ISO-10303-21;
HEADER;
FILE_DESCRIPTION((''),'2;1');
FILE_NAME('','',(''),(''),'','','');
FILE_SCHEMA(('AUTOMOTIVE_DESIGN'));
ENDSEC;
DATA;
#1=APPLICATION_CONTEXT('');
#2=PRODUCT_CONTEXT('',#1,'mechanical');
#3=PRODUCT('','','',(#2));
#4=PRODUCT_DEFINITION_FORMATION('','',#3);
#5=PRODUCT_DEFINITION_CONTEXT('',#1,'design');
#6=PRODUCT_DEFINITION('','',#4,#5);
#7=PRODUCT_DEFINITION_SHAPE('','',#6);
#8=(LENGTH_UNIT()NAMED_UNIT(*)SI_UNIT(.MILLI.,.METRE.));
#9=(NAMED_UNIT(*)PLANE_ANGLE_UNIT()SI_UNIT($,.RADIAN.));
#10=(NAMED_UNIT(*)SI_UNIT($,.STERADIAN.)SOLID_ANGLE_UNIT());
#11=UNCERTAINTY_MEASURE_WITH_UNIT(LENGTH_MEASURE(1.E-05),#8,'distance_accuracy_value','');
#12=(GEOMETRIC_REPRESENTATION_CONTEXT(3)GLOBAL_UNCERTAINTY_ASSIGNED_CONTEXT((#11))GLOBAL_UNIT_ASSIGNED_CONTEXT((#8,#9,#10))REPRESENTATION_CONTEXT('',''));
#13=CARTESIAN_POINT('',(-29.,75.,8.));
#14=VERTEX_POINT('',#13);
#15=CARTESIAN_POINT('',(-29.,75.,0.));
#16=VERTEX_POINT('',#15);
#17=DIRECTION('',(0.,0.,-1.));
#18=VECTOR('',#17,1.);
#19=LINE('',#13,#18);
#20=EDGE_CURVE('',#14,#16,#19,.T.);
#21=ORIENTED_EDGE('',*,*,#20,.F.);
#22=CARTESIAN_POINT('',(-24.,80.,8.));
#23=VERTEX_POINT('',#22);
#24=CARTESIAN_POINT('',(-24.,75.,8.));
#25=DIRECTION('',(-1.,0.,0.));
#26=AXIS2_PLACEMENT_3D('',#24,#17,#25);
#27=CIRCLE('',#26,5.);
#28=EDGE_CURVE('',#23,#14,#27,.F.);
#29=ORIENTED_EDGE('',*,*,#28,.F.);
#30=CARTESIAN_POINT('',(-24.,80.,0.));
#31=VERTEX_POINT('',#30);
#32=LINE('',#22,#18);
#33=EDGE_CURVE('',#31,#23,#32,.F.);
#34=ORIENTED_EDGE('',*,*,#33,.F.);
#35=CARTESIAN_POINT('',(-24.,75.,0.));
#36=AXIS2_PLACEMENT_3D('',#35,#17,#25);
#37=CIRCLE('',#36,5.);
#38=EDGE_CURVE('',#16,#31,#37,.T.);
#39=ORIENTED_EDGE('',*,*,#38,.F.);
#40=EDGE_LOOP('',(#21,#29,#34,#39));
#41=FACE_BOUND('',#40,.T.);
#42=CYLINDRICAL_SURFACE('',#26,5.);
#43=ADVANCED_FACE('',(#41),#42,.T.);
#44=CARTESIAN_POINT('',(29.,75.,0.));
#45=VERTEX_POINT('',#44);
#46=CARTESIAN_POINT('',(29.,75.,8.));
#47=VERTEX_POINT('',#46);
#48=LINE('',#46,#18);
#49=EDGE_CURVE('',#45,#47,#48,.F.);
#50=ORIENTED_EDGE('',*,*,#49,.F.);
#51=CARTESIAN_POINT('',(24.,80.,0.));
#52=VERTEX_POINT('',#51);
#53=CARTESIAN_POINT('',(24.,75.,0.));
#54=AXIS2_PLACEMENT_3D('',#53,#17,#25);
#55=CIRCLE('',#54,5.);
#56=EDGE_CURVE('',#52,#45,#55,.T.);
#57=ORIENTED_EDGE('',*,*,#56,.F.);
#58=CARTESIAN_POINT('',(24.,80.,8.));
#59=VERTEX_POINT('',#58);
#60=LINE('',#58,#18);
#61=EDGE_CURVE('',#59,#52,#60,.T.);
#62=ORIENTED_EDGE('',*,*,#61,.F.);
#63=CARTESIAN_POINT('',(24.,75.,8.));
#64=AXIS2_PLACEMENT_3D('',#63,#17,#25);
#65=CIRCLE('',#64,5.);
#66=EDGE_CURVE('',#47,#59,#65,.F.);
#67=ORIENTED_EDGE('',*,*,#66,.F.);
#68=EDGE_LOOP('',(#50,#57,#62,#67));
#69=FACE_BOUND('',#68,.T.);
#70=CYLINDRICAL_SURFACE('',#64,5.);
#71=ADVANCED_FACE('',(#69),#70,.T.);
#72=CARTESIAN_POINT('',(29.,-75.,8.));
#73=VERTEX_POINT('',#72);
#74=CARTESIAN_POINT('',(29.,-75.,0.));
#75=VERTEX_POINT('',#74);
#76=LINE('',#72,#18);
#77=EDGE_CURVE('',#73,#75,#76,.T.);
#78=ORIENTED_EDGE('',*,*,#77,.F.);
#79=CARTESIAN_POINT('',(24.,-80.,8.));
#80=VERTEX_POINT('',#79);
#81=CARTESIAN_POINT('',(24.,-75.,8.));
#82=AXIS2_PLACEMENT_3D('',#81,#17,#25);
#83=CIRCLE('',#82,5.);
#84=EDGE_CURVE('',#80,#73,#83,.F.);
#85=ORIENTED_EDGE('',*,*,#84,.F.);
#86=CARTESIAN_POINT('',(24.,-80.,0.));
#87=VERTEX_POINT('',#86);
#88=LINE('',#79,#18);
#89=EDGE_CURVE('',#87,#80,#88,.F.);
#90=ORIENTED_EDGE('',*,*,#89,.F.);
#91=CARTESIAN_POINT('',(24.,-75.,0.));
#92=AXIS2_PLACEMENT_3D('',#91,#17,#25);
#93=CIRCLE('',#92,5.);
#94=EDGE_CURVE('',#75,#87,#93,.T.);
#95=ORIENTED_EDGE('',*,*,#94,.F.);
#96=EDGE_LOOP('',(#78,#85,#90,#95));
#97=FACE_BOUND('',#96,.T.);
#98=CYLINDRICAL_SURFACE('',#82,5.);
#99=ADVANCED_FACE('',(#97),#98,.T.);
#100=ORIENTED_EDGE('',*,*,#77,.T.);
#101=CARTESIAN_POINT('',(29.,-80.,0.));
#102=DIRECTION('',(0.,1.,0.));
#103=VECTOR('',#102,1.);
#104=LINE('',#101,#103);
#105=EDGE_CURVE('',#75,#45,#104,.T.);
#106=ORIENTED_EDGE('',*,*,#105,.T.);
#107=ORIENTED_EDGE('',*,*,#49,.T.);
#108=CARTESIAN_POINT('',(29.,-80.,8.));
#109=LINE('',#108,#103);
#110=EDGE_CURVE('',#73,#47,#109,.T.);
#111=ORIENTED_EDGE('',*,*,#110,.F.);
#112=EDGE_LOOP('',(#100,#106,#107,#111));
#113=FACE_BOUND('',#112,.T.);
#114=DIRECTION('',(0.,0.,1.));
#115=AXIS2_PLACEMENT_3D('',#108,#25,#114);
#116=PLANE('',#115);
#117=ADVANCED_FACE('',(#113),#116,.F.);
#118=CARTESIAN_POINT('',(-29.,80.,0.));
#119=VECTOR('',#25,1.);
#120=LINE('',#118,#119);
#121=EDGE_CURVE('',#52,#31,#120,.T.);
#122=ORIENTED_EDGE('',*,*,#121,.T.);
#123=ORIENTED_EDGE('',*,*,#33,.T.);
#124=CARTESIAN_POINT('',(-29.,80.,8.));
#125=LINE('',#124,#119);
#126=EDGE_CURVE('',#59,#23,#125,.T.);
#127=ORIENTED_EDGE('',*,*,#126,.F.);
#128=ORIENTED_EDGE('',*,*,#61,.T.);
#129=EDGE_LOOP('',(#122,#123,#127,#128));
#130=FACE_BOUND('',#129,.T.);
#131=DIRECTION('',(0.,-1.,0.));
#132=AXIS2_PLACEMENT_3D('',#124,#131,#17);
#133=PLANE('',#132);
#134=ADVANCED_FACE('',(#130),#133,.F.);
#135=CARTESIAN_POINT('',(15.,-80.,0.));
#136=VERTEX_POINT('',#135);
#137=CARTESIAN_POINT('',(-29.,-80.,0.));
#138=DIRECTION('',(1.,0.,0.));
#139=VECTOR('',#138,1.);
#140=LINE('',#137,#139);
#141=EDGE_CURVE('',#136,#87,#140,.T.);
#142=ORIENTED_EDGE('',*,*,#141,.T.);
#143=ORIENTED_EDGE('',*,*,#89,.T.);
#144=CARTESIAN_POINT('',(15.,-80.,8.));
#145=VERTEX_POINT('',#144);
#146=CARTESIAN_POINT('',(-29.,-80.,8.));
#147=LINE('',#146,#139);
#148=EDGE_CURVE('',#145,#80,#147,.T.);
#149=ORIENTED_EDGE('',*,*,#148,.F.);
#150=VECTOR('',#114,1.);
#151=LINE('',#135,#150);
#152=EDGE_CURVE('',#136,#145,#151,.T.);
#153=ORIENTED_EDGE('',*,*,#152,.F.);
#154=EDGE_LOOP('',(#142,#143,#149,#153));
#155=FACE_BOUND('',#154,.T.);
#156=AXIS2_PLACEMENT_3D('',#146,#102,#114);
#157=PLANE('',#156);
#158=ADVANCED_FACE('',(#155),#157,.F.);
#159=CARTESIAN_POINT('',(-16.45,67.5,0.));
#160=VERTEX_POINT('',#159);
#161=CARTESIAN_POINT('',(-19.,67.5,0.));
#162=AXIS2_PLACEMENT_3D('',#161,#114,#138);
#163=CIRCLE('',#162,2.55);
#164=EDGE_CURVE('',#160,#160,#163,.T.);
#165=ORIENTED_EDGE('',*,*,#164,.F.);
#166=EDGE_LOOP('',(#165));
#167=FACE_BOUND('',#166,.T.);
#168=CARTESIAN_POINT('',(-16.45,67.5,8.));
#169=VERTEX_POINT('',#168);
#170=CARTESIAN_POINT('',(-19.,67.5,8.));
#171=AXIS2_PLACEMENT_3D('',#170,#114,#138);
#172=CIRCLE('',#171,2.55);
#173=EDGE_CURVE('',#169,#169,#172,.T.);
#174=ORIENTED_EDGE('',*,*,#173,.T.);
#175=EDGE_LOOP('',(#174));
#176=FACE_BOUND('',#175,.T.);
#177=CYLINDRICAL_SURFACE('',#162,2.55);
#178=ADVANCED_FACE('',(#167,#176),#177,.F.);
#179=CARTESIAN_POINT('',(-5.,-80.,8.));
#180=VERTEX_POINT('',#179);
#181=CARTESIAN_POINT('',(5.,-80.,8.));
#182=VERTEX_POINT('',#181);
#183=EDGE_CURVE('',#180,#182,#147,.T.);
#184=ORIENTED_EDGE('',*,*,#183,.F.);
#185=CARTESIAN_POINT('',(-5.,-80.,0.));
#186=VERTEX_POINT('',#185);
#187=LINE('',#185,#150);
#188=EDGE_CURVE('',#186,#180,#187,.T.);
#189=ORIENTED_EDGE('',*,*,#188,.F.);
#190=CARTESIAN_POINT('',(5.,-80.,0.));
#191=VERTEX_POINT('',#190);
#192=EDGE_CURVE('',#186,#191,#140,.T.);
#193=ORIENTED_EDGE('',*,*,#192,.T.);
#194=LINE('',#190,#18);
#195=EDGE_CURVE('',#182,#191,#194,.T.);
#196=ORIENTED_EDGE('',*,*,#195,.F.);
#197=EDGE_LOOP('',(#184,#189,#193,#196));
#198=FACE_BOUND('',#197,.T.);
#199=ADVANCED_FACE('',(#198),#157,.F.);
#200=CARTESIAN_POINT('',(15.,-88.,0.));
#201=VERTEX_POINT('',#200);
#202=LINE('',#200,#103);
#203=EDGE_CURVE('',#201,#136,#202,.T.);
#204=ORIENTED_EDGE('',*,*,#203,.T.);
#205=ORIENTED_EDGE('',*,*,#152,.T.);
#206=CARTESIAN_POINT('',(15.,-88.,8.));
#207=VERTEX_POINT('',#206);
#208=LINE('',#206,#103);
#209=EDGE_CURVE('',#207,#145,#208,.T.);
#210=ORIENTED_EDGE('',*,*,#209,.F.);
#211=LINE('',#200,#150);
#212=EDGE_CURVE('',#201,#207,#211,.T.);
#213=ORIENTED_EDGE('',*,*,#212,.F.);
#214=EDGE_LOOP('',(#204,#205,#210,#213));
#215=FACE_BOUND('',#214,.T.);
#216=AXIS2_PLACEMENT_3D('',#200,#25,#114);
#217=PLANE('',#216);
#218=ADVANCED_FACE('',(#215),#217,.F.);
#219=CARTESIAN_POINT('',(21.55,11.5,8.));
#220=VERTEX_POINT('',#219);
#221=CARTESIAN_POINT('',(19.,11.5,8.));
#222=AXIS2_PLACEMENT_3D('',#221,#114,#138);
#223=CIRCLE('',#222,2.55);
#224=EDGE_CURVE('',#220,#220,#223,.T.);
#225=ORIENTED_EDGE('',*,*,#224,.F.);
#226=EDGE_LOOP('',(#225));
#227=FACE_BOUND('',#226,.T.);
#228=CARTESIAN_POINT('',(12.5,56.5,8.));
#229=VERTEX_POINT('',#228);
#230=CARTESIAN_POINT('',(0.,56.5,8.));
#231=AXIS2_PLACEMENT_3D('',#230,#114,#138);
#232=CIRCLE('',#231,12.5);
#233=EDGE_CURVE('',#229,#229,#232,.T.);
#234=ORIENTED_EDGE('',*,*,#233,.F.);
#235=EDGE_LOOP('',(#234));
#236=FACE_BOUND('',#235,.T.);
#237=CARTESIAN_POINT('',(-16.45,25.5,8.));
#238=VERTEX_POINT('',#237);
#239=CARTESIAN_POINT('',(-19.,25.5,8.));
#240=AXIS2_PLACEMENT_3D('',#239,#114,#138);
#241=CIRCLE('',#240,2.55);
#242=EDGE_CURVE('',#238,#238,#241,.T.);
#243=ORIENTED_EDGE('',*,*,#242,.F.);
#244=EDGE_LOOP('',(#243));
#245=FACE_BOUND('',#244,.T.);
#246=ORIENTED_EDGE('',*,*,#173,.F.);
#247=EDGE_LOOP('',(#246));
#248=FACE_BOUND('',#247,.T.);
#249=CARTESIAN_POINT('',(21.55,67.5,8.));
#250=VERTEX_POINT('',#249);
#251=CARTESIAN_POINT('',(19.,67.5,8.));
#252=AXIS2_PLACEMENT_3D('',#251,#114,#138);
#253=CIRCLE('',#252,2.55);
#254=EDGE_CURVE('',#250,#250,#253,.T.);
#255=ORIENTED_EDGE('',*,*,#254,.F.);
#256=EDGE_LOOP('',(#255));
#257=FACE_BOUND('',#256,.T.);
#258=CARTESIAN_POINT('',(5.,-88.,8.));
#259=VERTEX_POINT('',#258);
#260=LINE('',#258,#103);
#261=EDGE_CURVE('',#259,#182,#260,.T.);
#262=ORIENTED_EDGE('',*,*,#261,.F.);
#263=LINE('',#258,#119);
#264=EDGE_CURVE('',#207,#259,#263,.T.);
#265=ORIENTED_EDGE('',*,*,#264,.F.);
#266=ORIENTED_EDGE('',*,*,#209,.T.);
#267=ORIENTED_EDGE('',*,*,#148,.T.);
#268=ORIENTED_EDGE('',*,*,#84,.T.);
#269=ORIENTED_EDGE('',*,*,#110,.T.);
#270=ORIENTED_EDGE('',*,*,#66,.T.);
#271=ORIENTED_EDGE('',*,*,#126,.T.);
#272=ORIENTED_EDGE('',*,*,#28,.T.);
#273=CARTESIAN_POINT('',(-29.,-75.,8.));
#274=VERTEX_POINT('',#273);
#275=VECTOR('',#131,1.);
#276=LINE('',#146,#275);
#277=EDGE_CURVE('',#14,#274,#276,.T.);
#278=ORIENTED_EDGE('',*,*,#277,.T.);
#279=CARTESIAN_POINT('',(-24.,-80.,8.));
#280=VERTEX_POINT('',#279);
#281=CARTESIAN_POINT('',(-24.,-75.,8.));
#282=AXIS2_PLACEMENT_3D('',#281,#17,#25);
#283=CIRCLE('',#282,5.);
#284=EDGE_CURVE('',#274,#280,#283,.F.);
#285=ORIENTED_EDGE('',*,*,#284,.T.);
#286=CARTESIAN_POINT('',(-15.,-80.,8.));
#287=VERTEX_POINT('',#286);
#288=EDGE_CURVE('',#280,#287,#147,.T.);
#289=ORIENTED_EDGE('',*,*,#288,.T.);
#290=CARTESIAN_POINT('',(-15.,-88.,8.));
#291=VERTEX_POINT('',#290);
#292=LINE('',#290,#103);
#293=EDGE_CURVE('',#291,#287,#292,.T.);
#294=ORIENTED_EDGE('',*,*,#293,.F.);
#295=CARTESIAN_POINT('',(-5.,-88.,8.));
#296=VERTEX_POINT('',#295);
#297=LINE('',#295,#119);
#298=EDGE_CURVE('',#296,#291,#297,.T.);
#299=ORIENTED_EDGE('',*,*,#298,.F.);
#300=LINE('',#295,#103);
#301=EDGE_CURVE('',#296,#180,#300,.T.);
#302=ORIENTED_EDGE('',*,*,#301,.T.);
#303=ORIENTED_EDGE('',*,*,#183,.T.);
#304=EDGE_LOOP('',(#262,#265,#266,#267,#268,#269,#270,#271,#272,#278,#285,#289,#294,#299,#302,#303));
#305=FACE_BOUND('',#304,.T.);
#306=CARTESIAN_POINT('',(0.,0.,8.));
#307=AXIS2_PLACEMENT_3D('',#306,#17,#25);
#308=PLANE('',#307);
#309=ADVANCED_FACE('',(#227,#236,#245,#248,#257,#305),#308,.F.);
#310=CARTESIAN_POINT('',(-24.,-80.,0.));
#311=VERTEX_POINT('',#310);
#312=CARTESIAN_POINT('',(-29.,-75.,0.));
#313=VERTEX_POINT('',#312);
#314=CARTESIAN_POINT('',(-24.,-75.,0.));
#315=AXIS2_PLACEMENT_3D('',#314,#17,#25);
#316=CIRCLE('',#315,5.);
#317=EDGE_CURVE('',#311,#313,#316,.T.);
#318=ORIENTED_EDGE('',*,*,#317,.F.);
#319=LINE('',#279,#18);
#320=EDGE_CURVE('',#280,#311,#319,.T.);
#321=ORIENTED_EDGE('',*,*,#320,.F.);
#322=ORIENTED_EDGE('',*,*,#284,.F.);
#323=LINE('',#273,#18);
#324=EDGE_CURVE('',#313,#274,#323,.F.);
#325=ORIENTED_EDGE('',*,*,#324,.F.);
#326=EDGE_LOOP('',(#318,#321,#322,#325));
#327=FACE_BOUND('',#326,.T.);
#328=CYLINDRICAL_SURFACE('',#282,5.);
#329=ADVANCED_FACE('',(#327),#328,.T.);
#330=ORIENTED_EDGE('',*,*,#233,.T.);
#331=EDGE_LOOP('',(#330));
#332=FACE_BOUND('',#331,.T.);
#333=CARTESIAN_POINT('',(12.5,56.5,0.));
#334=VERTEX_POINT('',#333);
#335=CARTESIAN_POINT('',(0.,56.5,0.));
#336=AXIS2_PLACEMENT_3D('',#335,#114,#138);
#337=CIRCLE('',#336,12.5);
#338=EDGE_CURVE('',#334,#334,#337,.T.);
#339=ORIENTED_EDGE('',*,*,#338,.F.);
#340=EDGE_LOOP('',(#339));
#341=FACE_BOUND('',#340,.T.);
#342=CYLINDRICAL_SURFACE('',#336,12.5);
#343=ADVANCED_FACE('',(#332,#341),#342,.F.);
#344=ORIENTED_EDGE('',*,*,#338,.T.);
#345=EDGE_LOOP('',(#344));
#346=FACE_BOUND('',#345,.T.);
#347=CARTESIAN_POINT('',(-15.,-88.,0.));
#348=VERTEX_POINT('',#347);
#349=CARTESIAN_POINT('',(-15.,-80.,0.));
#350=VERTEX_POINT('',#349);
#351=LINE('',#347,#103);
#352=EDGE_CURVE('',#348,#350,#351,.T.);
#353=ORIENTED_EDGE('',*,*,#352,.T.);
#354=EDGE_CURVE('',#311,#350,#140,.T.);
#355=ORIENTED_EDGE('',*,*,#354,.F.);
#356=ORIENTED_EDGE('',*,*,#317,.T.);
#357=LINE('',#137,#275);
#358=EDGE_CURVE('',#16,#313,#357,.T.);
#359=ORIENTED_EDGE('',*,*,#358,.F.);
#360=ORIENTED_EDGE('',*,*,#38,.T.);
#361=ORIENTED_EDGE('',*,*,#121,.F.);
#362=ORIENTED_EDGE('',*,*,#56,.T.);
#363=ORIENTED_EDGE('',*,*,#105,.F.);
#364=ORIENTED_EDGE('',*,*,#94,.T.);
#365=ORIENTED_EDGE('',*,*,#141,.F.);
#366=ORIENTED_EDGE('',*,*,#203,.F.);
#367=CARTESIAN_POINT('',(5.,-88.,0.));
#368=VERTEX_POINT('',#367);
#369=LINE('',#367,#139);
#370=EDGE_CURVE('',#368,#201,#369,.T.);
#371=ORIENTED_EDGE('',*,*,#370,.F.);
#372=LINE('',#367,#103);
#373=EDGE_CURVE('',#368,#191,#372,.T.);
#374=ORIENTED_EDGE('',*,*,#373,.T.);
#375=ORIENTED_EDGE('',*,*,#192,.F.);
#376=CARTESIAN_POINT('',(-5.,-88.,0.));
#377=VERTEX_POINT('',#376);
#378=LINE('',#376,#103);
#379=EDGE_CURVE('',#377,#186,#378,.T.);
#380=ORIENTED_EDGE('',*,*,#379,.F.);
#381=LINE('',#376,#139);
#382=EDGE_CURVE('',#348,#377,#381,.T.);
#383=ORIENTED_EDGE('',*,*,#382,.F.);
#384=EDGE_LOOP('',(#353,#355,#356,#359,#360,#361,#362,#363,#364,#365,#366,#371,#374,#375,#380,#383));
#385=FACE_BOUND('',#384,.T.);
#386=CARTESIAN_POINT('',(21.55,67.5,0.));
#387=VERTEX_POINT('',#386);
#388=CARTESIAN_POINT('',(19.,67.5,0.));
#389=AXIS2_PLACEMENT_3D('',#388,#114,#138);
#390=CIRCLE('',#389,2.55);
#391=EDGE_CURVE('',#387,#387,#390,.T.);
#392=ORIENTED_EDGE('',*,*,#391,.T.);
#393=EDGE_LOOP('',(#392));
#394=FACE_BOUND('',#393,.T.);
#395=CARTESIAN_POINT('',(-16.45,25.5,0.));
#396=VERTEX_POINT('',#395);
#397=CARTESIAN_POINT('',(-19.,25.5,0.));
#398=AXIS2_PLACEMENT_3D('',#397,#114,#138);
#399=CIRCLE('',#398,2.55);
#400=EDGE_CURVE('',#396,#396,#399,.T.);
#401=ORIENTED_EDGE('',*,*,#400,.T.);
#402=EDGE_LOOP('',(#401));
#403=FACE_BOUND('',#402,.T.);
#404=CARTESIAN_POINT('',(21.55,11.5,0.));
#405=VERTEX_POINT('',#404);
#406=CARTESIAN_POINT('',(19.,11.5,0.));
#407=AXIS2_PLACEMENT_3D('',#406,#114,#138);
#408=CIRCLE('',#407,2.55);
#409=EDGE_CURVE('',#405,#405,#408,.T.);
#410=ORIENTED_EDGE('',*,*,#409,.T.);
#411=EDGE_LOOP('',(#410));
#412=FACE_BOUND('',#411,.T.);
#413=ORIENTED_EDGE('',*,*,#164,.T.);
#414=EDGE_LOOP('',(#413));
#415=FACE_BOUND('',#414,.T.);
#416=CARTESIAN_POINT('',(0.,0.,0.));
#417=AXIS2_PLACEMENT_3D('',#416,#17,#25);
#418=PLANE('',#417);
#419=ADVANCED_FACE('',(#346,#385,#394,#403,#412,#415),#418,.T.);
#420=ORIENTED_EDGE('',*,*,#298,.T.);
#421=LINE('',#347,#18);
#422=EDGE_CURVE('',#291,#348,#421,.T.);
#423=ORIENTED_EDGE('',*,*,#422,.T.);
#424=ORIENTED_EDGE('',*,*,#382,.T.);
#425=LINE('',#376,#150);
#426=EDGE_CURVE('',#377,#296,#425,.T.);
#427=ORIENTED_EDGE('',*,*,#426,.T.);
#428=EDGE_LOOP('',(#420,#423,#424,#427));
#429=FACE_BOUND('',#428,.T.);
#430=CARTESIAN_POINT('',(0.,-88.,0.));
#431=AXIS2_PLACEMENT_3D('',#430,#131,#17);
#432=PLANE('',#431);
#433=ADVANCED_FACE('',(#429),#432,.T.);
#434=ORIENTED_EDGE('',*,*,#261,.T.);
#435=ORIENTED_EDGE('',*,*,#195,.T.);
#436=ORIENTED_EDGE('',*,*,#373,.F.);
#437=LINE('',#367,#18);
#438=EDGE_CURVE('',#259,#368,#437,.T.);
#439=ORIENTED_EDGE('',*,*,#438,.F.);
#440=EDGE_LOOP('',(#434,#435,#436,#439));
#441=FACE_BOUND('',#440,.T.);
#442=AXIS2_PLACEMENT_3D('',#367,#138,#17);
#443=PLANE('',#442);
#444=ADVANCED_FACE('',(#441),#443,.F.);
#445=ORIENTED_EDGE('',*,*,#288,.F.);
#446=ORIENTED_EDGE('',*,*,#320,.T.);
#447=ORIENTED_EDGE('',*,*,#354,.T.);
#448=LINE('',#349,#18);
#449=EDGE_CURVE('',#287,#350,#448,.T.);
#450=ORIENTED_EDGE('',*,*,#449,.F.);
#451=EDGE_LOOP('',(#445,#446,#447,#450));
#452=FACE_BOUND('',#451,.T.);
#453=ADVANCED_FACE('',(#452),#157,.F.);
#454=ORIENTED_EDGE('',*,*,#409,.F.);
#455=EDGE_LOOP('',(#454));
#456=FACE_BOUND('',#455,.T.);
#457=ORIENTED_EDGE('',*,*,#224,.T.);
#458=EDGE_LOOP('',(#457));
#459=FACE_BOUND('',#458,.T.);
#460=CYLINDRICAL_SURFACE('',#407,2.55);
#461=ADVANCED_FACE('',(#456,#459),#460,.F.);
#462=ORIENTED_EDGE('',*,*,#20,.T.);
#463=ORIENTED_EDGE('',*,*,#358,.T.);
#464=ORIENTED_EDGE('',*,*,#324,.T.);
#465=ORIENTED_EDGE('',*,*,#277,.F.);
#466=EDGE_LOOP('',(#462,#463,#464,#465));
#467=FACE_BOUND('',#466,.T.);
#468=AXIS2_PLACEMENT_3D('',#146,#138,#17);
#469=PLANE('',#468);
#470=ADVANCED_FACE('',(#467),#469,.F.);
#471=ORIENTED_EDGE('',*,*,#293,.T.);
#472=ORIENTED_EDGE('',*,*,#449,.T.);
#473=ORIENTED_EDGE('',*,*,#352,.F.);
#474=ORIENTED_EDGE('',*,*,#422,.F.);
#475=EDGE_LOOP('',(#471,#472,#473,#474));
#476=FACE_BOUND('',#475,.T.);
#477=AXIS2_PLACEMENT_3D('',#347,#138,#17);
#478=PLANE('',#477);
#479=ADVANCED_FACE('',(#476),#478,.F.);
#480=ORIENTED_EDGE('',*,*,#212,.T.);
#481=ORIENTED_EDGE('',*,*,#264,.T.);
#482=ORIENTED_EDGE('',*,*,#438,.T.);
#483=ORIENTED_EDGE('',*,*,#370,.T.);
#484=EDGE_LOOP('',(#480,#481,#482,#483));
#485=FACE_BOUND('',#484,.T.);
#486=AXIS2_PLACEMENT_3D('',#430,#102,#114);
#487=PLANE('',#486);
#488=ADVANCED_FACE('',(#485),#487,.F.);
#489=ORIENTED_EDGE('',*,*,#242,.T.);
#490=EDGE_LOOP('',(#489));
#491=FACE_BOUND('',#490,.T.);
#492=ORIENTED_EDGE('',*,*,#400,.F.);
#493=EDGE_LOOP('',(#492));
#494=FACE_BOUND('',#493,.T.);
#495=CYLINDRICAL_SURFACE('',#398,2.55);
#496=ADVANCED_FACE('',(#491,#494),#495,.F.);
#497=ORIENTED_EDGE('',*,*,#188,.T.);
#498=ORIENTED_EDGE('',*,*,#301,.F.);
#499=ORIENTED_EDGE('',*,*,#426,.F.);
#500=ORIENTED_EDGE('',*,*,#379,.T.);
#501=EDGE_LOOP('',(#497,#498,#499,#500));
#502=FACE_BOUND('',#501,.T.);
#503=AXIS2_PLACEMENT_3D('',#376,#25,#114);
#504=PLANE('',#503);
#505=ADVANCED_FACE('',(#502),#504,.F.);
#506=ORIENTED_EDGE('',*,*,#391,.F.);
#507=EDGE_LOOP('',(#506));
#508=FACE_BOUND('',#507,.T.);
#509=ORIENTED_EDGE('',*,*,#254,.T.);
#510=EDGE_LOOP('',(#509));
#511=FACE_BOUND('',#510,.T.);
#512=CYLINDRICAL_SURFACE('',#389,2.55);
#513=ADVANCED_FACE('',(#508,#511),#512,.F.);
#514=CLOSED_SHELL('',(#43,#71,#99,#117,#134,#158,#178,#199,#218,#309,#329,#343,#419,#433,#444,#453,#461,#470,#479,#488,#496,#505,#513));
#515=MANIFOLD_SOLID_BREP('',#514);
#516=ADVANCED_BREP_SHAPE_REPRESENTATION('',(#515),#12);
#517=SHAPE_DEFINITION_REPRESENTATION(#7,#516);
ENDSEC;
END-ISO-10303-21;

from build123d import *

# Parameters (mm, degrees)
SKETCH1_W           = 58
SKETCH1_H           = 160
BOSS_EXTRUDE1_DEPTH = 8
SKETCH2_R           = 2.55
SKETCH2_R_2         = 12.5
CUT_EXTRUDE1_DEPTH  = 86.469292731
SKETCH6_W           = 10
SKETCH6_H           = 8
BOSS_EXTRUDE3_DEPTH = 8
FILLET2_R           = 5


with BuildPart() as part:
    # Sketch1 → Boss-Extrude1 (new body)
    with BuildSketch(Plane.XY):
        Rectangle(SKETCH1_W, SKETCH1_H)
    extrude(amount=BOSS_EXTRUDE1_DEPTH)

    # Sketch2 → Cut-Extrude1 (cut, through all)
    with BuildSketch(Plane.XY.offset(8)):
        with Locations((-19, 67.5)):
            Circle(SKETCH2_R)
        with Locations((19, 67.5)):
            Circle(SKETCH2_R)
        with Locations((-19, 25.5)):
            Circle(SKETCH2_R)
        with Locations((19, 11.5)):
            Circle(SKETCH2_R)
        with Locations((0, 56.5)):
            Circle(SKETCH2_R_2)
    extrude(amount=-CUT_EXTRUDE1_DEPTH, mode=Mode.SUBTRACT)

    # Sketch6 → Boss-Extrude3 (add)
    with BuildSketch(Plane.XZ.offset(80)):
        with Locations((-10, 4)):
            Rectangle(SKETCH6_W, SKETCH6_H)
        with Locations((10, 4)):
            Rectangle(SKETCH6_W, SKETCH6_H)
    extrude(amount=BOSS_EXTRUDE3_DEPTH)

    # Fillet2
    fillet2_edges = [part.edges().sort_by_distance(p)[0] for p in [
        (29, 80, 4),
        (-29, 80, 4),
        (29, -80, 4),
        (-29, -80, 4),
    ]]
    fillet(fillet2_edges, radius=FILLET2_R)


solid = part.part
